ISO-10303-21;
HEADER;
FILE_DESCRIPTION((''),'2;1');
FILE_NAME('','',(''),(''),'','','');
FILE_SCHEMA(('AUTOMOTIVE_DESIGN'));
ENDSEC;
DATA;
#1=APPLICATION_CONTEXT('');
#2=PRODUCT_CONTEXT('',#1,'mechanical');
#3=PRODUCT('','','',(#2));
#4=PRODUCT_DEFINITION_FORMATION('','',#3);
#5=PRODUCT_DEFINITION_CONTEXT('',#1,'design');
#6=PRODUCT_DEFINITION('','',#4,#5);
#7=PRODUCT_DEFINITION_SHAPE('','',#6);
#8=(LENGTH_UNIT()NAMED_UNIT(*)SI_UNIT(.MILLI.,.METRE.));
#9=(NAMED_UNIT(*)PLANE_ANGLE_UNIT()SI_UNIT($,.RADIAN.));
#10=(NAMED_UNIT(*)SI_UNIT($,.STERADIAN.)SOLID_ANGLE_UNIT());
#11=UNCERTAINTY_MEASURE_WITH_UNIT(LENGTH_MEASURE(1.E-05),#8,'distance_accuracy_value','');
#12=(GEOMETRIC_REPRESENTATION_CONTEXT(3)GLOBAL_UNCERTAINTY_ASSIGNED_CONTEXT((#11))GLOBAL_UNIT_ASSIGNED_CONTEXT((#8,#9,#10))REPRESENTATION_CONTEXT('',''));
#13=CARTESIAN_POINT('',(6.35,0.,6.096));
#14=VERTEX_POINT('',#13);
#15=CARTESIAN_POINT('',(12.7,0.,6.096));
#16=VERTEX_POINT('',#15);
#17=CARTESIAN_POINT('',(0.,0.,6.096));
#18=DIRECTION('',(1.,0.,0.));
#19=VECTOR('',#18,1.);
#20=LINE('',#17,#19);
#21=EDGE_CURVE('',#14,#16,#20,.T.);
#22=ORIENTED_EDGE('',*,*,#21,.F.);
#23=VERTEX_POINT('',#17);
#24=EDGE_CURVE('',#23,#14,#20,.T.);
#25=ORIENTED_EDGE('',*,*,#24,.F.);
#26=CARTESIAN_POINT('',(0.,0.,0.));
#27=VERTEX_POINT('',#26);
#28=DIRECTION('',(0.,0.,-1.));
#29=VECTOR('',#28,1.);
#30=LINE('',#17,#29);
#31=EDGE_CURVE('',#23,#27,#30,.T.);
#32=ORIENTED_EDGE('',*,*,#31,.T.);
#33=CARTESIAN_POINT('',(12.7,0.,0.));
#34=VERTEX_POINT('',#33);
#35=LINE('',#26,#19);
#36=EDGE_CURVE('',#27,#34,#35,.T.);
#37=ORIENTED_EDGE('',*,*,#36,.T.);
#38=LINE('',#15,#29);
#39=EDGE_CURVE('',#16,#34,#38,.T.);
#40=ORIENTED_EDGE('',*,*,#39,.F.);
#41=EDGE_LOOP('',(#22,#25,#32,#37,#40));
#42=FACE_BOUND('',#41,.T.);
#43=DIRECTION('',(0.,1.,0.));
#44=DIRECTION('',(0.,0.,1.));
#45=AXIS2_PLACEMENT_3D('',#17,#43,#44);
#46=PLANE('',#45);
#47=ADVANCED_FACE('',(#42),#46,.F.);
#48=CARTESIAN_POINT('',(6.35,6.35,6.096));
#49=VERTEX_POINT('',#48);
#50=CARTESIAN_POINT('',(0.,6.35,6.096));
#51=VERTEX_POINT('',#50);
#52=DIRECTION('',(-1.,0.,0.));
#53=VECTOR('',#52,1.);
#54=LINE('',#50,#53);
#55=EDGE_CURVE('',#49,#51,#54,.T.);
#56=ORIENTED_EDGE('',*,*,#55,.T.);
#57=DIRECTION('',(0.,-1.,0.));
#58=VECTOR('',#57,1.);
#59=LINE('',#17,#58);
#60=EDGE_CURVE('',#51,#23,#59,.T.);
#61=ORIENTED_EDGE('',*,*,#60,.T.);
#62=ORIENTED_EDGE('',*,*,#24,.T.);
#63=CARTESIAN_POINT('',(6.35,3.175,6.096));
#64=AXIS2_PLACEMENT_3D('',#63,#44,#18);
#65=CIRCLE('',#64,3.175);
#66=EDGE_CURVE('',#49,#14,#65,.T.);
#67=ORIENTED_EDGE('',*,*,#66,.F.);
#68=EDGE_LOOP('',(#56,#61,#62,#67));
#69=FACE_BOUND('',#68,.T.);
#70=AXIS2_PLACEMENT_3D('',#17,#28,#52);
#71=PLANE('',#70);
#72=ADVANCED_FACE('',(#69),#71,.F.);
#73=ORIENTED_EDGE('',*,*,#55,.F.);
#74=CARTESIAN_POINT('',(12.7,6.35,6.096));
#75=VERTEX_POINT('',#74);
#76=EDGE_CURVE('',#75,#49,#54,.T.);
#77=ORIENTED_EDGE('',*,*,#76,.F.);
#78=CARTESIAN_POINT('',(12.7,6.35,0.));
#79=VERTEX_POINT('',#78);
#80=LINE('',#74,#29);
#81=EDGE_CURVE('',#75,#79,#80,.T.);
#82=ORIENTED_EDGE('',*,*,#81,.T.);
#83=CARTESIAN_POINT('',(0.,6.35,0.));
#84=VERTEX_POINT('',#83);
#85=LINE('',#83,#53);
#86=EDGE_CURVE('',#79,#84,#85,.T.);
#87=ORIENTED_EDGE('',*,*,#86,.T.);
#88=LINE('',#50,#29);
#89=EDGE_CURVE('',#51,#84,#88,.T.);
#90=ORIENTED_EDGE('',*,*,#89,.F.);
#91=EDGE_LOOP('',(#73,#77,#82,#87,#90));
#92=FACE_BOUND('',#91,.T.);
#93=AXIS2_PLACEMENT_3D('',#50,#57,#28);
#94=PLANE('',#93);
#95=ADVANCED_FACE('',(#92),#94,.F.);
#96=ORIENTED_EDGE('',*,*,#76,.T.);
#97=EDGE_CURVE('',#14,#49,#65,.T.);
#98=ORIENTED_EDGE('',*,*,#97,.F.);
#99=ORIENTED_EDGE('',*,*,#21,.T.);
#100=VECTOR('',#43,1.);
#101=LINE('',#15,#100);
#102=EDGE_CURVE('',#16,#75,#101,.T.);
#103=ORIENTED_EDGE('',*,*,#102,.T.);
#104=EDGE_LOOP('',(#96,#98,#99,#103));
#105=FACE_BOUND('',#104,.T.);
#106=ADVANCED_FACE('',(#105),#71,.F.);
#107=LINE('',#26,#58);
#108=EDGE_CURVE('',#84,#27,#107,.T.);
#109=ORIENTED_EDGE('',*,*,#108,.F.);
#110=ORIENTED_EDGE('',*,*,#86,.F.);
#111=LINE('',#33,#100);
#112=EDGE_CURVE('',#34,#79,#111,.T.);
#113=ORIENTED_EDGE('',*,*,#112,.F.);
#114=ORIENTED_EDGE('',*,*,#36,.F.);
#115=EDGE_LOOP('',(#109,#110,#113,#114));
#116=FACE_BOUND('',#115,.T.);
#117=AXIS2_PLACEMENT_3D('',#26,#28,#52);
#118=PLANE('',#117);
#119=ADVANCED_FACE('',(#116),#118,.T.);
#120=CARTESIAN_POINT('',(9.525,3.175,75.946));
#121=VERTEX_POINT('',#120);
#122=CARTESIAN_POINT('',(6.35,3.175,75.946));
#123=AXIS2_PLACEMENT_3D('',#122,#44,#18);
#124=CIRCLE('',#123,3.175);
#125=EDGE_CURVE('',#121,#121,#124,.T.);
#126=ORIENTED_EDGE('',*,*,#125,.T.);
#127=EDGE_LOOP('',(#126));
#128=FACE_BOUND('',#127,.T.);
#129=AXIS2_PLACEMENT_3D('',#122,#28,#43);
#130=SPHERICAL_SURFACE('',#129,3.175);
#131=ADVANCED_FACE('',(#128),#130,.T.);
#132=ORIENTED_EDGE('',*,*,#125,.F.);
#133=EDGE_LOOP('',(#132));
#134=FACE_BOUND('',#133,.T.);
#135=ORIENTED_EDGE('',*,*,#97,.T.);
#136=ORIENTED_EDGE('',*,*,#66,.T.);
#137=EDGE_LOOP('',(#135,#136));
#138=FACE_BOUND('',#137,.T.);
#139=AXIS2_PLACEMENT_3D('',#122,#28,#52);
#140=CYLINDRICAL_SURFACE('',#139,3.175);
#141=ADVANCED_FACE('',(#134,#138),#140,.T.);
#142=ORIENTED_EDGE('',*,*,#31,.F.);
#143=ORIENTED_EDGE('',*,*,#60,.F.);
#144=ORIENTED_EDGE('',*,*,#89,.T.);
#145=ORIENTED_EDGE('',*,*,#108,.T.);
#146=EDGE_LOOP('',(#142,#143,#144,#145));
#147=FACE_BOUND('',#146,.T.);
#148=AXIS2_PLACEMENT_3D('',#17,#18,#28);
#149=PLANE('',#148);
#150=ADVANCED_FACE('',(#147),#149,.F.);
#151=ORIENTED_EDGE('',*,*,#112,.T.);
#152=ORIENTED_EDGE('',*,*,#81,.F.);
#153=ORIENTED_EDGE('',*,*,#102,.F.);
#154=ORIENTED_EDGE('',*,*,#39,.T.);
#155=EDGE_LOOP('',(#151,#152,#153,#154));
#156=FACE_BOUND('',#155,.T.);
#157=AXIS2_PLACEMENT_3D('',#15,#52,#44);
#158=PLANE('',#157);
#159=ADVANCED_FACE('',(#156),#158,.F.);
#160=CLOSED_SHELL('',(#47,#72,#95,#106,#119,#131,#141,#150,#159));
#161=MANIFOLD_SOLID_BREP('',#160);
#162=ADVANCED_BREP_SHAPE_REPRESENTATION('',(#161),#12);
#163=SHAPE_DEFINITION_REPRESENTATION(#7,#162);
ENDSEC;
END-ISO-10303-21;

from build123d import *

# Parameters (mm, degrees)
SKETCH1_W           = 12.7
SKETCH1_H           = 6.35
BOSS_EXTRUDE1_DEPTH = 6.096
SKETCH2_R           = 3.175
BOSS_EXTRUDE2_DEPTH = 69.85


with BuildPart() as part:
    # Sketch1 → Boss-Extrude1 (new body)
    with BuildSketch(Plane.XY):
        with Locations((6.35, 3.175)):
            Rectangle(SKETCH1_W, SKETCH1_H)
    extrude(amount=BOSS_EXTRUDE1_DEPTH)

    # Sketch2 → Boss-Extrude2 (add)
    with BuildSketch(Plane.XY.offset(6.096)):
        with Locations(Location((6.35, 3.175, 0), (0, 0, 270))):
            Circle(SKETCH2_R)
    extrude(amount=BOSS_EXTRUDE2_DEPTH)

    # Sketch4 → Revolve1 (revolve)
    with BuildSketch(Plane(origin=(6.35, 0, 0), x_dir=(0, 0, -1), z_dir=(1, 0, 0))):
        with BuildLine():
            Line((-75.946, 6.35), (-75.946, 3.175))
            Line((-75.946, 3.175), (-79.121, 3.175))
            ThreePointArc((-79.121, 3.175), (-78.19106403, 5.42006403), (-75.946, 6.35))
        make_face()
    revolve(axis=Axis((6.35, 3.175, -3.95605), (0, 0, 1)))


solid = part.part
